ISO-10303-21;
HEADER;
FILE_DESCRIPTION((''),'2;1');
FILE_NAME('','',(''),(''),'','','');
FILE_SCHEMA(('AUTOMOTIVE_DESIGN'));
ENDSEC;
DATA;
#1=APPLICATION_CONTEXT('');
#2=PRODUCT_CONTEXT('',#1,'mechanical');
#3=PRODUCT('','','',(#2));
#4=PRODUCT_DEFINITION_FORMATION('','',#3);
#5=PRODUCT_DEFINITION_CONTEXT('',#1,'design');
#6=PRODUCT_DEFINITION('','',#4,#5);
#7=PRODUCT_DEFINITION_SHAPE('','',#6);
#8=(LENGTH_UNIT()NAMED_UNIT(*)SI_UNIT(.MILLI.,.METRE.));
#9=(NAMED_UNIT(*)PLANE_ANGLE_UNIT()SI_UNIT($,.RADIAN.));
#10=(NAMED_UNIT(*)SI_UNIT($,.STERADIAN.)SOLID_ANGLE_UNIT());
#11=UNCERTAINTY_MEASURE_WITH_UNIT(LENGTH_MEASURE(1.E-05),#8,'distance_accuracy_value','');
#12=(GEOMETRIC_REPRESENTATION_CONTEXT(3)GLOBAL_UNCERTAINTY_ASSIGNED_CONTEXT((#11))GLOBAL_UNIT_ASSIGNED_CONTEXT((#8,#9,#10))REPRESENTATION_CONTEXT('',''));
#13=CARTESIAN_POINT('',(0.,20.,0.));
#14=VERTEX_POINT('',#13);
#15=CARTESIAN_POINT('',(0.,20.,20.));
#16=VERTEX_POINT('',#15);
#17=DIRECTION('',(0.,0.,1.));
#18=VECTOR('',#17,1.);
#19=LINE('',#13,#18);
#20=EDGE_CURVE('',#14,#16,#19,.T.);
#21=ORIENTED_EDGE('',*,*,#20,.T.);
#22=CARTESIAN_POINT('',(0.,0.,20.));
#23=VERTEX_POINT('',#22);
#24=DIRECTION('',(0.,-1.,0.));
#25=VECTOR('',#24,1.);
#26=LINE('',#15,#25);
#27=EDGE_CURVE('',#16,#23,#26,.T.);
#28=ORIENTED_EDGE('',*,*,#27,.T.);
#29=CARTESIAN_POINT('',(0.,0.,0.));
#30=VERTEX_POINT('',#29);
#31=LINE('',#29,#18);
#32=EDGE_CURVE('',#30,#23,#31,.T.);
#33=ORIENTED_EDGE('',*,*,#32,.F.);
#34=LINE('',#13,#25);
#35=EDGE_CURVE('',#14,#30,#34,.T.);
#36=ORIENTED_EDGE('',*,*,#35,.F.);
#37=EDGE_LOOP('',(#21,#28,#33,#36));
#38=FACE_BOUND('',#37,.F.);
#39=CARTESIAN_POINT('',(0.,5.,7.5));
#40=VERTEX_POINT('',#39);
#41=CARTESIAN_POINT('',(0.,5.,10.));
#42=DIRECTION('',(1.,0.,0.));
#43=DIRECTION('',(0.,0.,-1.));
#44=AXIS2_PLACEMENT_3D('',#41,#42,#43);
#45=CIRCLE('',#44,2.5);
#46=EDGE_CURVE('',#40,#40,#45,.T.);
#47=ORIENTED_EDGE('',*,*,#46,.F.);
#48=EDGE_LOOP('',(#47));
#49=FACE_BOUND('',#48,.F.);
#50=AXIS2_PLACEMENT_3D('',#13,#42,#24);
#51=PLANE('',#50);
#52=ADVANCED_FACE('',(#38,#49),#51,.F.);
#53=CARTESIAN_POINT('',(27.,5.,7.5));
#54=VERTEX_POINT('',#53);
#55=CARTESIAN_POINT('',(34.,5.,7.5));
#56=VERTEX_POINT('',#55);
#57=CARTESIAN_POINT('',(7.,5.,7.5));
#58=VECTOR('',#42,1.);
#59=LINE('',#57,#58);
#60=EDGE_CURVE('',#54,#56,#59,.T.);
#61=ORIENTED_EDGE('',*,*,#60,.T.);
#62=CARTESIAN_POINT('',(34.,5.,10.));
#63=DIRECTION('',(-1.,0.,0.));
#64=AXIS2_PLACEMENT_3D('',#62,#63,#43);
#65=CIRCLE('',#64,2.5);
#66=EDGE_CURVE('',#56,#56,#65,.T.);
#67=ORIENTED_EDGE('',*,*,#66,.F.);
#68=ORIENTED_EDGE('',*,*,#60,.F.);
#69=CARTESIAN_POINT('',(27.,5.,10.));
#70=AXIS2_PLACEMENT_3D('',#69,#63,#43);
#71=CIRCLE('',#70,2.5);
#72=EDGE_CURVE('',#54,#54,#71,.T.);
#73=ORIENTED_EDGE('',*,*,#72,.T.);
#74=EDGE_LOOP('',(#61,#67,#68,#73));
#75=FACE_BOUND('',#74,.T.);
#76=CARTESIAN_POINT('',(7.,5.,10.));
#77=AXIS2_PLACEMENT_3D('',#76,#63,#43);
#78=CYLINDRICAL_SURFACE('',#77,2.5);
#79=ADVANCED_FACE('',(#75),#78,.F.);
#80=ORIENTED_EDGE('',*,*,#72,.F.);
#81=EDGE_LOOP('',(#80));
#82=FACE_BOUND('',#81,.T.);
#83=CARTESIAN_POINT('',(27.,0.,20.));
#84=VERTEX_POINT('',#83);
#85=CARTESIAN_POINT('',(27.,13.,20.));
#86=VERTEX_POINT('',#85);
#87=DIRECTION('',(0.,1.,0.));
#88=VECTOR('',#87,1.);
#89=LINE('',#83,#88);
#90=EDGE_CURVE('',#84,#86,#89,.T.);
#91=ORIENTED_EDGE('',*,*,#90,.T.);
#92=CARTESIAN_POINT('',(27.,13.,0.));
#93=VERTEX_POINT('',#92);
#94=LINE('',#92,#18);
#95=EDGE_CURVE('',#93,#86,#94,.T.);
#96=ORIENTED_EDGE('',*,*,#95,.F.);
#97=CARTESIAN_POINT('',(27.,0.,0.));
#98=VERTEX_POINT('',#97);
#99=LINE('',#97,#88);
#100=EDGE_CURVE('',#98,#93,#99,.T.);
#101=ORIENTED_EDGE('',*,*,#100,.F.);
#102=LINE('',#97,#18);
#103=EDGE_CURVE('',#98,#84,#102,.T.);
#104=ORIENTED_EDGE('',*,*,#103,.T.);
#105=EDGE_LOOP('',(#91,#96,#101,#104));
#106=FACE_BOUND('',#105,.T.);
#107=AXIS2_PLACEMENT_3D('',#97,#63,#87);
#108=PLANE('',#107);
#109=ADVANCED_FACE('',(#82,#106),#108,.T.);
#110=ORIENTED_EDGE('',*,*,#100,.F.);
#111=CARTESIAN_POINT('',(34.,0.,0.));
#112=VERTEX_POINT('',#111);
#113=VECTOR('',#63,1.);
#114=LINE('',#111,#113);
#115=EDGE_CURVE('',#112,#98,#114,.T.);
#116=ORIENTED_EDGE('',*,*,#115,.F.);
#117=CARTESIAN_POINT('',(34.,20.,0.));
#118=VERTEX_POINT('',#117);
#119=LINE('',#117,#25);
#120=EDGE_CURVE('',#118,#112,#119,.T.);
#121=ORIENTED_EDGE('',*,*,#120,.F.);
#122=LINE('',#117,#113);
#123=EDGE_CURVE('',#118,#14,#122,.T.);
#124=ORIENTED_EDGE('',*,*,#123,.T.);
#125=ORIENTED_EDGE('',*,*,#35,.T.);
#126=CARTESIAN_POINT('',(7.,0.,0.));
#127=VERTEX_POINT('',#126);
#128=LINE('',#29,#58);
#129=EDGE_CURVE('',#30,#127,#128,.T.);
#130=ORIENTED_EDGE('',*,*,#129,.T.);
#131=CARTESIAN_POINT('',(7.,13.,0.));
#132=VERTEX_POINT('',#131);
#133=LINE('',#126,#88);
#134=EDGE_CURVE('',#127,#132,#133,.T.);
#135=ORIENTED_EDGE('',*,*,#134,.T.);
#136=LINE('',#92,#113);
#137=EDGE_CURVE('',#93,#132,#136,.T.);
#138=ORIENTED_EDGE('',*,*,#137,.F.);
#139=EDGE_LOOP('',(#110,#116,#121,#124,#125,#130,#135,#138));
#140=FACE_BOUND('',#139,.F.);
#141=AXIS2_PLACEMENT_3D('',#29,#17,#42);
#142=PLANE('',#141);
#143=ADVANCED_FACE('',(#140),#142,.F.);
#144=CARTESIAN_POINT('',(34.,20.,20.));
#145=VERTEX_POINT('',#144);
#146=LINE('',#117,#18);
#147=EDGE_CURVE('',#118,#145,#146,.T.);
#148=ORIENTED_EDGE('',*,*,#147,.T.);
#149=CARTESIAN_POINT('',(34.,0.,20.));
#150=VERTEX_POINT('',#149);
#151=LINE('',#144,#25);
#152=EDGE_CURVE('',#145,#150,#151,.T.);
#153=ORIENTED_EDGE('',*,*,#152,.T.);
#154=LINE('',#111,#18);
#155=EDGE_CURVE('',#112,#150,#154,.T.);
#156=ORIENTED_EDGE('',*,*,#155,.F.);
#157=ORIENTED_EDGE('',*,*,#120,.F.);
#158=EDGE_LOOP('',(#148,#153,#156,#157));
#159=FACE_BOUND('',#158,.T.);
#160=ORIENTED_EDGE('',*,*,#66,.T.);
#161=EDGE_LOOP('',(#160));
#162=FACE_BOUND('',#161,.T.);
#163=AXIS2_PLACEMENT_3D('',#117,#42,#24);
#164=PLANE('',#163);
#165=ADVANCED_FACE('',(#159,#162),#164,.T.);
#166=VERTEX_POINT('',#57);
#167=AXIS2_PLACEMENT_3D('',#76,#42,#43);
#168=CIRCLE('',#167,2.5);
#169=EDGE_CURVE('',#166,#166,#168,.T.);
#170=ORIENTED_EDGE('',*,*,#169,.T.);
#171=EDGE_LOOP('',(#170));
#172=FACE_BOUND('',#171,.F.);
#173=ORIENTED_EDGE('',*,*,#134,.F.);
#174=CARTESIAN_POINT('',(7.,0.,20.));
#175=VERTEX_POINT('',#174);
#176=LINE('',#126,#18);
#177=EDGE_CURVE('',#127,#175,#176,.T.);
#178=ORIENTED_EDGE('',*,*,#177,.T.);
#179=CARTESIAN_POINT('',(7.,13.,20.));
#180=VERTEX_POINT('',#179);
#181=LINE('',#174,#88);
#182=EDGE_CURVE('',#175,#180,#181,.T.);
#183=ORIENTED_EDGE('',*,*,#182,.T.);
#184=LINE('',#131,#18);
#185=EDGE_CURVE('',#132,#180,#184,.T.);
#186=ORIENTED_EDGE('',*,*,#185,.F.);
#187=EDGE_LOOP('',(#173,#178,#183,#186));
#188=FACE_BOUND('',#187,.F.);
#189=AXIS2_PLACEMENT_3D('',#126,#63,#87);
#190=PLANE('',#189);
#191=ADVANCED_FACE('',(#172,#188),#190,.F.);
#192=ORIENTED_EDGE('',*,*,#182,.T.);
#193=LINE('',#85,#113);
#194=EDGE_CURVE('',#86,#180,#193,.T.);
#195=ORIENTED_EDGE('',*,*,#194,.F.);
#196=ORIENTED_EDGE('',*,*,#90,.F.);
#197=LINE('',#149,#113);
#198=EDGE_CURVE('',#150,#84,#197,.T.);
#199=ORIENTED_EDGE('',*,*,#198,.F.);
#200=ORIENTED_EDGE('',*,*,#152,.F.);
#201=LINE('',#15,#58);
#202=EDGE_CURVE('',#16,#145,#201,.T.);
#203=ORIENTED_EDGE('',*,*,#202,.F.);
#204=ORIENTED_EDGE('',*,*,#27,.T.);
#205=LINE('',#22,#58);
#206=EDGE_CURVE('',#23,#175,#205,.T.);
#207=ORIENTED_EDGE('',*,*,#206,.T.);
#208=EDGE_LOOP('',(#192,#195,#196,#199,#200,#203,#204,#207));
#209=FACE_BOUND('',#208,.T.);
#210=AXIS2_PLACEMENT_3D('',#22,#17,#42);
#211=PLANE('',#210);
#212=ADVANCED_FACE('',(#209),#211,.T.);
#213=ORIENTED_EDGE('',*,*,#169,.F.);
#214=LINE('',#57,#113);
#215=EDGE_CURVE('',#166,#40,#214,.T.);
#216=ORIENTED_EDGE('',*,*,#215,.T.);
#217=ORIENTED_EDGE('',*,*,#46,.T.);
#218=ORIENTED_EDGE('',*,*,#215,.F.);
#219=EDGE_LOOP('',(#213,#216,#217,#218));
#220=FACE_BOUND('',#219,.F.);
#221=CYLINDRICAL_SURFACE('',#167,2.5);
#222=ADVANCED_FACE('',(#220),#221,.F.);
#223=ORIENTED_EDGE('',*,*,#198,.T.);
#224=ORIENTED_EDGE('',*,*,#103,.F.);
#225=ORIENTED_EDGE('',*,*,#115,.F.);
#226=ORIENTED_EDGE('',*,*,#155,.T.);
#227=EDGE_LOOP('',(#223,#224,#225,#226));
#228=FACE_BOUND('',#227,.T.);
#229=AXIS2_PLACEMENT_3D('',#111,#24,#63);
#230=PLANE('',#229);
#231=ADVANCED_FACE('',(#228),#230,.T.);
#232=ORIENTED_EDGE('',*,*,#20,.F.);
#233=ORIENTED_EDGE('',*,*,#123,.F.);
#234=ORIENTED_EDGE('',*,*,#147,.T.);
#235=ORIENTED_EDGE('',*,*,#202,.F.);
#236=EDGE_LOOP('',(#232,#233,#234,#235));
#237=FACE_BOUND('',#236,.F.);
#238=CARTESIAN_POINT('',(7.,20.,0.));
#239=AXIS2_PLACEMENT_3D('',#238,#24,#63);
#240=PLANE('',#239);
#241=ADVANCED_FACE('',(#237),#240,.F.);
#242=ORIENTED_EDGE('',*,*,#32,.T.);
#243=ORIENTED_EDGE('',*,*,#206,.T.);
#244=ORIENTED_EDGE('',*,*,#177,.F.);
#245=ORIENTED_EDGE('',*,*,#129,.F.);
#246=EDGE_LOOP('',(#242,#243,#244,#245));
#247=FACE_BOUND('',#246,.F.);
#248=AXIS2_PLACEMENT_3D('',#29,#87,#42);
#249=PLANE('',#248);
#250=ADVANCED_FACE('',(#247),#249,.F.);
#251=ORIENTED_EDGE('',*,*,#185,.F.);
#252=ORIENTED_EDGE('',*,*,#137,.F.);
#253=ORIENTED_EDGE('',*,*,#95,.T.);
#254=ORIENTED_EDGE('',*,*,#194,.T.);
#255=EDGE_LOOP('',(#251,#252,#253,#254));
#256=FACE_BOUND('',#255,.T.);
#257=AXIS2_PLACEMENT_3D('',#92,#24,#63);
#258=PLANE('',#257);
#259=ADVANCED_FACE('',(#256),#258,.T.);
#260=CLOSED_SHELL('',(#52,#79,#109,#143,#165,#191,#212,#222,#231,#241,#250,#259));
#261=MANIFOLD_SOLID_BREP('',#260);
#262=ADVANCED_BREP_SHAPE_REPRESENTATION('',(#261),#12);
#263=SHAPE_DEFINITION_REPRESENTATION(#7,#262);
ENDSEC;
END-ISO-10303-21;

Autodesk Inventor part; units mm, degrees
ref_plane "YZ Plane" through (0, 0, 0) normal (1, 0, 0) x (0, 1, 0)
ref_plane "XZ Plane" through (0, 0, 0) normal (0, 1, 0) x (-1, 0, 0)
ref_plane "XY Plane" through (0, 0, 0) normal (0, 0, 1) x (1, 0, 0)
sketch "Sketch1" plane through (0, 0, 0) normal (0, 0, 1) x (1, 0, 0)
  line L0 (0, 0) -> (7, 0)
  line L1 (7, 0) -> (7, 20)
  line L2 (7, 20) -> (0, 20)
  line L3 (0, 20) -> (0, 0)
  line L4 (7, 20) -> (27, 20)
  line L5 (27, 20) -> (27, 13)
  line L6 (27, 13) -> (7, 13)
  line L7 (7, 13) -> (7, 20)
  line L8 (27, 20) -> (34, 20)
  line L9 (34, 20) -> (34, 0)
  line L10 (34, 0) -> (27, 0)
  line L11 (27, 0) -> (27, 20)
  dimension "d0" = 34
  dimension "d1" = 7
  dimension "d2" = 7
  dimension "d3" = 7
  dimension "d4" = 13
extrude "Extrusion1" add sketch "Sketch1" along normal blind 20
sketch "Sketch2" plane through (7, 0, 0) normal (1, 0, 0) x (0, 0, -1)
  circle A0 centre (-10, 5) radius 2.5
  line L0 (-20, 0) -> (-20, 20) projected
  line L1 (0, 0) -> (-20, 0) projected
  dimension "d7" = 5
  dimension "d8" = 10
  dimension "d9" = 5
extrude "Extrusion2" cut sketch "Sketch2" along normal blind 60 and the other way blind 10
properties part number "FanSpace"
